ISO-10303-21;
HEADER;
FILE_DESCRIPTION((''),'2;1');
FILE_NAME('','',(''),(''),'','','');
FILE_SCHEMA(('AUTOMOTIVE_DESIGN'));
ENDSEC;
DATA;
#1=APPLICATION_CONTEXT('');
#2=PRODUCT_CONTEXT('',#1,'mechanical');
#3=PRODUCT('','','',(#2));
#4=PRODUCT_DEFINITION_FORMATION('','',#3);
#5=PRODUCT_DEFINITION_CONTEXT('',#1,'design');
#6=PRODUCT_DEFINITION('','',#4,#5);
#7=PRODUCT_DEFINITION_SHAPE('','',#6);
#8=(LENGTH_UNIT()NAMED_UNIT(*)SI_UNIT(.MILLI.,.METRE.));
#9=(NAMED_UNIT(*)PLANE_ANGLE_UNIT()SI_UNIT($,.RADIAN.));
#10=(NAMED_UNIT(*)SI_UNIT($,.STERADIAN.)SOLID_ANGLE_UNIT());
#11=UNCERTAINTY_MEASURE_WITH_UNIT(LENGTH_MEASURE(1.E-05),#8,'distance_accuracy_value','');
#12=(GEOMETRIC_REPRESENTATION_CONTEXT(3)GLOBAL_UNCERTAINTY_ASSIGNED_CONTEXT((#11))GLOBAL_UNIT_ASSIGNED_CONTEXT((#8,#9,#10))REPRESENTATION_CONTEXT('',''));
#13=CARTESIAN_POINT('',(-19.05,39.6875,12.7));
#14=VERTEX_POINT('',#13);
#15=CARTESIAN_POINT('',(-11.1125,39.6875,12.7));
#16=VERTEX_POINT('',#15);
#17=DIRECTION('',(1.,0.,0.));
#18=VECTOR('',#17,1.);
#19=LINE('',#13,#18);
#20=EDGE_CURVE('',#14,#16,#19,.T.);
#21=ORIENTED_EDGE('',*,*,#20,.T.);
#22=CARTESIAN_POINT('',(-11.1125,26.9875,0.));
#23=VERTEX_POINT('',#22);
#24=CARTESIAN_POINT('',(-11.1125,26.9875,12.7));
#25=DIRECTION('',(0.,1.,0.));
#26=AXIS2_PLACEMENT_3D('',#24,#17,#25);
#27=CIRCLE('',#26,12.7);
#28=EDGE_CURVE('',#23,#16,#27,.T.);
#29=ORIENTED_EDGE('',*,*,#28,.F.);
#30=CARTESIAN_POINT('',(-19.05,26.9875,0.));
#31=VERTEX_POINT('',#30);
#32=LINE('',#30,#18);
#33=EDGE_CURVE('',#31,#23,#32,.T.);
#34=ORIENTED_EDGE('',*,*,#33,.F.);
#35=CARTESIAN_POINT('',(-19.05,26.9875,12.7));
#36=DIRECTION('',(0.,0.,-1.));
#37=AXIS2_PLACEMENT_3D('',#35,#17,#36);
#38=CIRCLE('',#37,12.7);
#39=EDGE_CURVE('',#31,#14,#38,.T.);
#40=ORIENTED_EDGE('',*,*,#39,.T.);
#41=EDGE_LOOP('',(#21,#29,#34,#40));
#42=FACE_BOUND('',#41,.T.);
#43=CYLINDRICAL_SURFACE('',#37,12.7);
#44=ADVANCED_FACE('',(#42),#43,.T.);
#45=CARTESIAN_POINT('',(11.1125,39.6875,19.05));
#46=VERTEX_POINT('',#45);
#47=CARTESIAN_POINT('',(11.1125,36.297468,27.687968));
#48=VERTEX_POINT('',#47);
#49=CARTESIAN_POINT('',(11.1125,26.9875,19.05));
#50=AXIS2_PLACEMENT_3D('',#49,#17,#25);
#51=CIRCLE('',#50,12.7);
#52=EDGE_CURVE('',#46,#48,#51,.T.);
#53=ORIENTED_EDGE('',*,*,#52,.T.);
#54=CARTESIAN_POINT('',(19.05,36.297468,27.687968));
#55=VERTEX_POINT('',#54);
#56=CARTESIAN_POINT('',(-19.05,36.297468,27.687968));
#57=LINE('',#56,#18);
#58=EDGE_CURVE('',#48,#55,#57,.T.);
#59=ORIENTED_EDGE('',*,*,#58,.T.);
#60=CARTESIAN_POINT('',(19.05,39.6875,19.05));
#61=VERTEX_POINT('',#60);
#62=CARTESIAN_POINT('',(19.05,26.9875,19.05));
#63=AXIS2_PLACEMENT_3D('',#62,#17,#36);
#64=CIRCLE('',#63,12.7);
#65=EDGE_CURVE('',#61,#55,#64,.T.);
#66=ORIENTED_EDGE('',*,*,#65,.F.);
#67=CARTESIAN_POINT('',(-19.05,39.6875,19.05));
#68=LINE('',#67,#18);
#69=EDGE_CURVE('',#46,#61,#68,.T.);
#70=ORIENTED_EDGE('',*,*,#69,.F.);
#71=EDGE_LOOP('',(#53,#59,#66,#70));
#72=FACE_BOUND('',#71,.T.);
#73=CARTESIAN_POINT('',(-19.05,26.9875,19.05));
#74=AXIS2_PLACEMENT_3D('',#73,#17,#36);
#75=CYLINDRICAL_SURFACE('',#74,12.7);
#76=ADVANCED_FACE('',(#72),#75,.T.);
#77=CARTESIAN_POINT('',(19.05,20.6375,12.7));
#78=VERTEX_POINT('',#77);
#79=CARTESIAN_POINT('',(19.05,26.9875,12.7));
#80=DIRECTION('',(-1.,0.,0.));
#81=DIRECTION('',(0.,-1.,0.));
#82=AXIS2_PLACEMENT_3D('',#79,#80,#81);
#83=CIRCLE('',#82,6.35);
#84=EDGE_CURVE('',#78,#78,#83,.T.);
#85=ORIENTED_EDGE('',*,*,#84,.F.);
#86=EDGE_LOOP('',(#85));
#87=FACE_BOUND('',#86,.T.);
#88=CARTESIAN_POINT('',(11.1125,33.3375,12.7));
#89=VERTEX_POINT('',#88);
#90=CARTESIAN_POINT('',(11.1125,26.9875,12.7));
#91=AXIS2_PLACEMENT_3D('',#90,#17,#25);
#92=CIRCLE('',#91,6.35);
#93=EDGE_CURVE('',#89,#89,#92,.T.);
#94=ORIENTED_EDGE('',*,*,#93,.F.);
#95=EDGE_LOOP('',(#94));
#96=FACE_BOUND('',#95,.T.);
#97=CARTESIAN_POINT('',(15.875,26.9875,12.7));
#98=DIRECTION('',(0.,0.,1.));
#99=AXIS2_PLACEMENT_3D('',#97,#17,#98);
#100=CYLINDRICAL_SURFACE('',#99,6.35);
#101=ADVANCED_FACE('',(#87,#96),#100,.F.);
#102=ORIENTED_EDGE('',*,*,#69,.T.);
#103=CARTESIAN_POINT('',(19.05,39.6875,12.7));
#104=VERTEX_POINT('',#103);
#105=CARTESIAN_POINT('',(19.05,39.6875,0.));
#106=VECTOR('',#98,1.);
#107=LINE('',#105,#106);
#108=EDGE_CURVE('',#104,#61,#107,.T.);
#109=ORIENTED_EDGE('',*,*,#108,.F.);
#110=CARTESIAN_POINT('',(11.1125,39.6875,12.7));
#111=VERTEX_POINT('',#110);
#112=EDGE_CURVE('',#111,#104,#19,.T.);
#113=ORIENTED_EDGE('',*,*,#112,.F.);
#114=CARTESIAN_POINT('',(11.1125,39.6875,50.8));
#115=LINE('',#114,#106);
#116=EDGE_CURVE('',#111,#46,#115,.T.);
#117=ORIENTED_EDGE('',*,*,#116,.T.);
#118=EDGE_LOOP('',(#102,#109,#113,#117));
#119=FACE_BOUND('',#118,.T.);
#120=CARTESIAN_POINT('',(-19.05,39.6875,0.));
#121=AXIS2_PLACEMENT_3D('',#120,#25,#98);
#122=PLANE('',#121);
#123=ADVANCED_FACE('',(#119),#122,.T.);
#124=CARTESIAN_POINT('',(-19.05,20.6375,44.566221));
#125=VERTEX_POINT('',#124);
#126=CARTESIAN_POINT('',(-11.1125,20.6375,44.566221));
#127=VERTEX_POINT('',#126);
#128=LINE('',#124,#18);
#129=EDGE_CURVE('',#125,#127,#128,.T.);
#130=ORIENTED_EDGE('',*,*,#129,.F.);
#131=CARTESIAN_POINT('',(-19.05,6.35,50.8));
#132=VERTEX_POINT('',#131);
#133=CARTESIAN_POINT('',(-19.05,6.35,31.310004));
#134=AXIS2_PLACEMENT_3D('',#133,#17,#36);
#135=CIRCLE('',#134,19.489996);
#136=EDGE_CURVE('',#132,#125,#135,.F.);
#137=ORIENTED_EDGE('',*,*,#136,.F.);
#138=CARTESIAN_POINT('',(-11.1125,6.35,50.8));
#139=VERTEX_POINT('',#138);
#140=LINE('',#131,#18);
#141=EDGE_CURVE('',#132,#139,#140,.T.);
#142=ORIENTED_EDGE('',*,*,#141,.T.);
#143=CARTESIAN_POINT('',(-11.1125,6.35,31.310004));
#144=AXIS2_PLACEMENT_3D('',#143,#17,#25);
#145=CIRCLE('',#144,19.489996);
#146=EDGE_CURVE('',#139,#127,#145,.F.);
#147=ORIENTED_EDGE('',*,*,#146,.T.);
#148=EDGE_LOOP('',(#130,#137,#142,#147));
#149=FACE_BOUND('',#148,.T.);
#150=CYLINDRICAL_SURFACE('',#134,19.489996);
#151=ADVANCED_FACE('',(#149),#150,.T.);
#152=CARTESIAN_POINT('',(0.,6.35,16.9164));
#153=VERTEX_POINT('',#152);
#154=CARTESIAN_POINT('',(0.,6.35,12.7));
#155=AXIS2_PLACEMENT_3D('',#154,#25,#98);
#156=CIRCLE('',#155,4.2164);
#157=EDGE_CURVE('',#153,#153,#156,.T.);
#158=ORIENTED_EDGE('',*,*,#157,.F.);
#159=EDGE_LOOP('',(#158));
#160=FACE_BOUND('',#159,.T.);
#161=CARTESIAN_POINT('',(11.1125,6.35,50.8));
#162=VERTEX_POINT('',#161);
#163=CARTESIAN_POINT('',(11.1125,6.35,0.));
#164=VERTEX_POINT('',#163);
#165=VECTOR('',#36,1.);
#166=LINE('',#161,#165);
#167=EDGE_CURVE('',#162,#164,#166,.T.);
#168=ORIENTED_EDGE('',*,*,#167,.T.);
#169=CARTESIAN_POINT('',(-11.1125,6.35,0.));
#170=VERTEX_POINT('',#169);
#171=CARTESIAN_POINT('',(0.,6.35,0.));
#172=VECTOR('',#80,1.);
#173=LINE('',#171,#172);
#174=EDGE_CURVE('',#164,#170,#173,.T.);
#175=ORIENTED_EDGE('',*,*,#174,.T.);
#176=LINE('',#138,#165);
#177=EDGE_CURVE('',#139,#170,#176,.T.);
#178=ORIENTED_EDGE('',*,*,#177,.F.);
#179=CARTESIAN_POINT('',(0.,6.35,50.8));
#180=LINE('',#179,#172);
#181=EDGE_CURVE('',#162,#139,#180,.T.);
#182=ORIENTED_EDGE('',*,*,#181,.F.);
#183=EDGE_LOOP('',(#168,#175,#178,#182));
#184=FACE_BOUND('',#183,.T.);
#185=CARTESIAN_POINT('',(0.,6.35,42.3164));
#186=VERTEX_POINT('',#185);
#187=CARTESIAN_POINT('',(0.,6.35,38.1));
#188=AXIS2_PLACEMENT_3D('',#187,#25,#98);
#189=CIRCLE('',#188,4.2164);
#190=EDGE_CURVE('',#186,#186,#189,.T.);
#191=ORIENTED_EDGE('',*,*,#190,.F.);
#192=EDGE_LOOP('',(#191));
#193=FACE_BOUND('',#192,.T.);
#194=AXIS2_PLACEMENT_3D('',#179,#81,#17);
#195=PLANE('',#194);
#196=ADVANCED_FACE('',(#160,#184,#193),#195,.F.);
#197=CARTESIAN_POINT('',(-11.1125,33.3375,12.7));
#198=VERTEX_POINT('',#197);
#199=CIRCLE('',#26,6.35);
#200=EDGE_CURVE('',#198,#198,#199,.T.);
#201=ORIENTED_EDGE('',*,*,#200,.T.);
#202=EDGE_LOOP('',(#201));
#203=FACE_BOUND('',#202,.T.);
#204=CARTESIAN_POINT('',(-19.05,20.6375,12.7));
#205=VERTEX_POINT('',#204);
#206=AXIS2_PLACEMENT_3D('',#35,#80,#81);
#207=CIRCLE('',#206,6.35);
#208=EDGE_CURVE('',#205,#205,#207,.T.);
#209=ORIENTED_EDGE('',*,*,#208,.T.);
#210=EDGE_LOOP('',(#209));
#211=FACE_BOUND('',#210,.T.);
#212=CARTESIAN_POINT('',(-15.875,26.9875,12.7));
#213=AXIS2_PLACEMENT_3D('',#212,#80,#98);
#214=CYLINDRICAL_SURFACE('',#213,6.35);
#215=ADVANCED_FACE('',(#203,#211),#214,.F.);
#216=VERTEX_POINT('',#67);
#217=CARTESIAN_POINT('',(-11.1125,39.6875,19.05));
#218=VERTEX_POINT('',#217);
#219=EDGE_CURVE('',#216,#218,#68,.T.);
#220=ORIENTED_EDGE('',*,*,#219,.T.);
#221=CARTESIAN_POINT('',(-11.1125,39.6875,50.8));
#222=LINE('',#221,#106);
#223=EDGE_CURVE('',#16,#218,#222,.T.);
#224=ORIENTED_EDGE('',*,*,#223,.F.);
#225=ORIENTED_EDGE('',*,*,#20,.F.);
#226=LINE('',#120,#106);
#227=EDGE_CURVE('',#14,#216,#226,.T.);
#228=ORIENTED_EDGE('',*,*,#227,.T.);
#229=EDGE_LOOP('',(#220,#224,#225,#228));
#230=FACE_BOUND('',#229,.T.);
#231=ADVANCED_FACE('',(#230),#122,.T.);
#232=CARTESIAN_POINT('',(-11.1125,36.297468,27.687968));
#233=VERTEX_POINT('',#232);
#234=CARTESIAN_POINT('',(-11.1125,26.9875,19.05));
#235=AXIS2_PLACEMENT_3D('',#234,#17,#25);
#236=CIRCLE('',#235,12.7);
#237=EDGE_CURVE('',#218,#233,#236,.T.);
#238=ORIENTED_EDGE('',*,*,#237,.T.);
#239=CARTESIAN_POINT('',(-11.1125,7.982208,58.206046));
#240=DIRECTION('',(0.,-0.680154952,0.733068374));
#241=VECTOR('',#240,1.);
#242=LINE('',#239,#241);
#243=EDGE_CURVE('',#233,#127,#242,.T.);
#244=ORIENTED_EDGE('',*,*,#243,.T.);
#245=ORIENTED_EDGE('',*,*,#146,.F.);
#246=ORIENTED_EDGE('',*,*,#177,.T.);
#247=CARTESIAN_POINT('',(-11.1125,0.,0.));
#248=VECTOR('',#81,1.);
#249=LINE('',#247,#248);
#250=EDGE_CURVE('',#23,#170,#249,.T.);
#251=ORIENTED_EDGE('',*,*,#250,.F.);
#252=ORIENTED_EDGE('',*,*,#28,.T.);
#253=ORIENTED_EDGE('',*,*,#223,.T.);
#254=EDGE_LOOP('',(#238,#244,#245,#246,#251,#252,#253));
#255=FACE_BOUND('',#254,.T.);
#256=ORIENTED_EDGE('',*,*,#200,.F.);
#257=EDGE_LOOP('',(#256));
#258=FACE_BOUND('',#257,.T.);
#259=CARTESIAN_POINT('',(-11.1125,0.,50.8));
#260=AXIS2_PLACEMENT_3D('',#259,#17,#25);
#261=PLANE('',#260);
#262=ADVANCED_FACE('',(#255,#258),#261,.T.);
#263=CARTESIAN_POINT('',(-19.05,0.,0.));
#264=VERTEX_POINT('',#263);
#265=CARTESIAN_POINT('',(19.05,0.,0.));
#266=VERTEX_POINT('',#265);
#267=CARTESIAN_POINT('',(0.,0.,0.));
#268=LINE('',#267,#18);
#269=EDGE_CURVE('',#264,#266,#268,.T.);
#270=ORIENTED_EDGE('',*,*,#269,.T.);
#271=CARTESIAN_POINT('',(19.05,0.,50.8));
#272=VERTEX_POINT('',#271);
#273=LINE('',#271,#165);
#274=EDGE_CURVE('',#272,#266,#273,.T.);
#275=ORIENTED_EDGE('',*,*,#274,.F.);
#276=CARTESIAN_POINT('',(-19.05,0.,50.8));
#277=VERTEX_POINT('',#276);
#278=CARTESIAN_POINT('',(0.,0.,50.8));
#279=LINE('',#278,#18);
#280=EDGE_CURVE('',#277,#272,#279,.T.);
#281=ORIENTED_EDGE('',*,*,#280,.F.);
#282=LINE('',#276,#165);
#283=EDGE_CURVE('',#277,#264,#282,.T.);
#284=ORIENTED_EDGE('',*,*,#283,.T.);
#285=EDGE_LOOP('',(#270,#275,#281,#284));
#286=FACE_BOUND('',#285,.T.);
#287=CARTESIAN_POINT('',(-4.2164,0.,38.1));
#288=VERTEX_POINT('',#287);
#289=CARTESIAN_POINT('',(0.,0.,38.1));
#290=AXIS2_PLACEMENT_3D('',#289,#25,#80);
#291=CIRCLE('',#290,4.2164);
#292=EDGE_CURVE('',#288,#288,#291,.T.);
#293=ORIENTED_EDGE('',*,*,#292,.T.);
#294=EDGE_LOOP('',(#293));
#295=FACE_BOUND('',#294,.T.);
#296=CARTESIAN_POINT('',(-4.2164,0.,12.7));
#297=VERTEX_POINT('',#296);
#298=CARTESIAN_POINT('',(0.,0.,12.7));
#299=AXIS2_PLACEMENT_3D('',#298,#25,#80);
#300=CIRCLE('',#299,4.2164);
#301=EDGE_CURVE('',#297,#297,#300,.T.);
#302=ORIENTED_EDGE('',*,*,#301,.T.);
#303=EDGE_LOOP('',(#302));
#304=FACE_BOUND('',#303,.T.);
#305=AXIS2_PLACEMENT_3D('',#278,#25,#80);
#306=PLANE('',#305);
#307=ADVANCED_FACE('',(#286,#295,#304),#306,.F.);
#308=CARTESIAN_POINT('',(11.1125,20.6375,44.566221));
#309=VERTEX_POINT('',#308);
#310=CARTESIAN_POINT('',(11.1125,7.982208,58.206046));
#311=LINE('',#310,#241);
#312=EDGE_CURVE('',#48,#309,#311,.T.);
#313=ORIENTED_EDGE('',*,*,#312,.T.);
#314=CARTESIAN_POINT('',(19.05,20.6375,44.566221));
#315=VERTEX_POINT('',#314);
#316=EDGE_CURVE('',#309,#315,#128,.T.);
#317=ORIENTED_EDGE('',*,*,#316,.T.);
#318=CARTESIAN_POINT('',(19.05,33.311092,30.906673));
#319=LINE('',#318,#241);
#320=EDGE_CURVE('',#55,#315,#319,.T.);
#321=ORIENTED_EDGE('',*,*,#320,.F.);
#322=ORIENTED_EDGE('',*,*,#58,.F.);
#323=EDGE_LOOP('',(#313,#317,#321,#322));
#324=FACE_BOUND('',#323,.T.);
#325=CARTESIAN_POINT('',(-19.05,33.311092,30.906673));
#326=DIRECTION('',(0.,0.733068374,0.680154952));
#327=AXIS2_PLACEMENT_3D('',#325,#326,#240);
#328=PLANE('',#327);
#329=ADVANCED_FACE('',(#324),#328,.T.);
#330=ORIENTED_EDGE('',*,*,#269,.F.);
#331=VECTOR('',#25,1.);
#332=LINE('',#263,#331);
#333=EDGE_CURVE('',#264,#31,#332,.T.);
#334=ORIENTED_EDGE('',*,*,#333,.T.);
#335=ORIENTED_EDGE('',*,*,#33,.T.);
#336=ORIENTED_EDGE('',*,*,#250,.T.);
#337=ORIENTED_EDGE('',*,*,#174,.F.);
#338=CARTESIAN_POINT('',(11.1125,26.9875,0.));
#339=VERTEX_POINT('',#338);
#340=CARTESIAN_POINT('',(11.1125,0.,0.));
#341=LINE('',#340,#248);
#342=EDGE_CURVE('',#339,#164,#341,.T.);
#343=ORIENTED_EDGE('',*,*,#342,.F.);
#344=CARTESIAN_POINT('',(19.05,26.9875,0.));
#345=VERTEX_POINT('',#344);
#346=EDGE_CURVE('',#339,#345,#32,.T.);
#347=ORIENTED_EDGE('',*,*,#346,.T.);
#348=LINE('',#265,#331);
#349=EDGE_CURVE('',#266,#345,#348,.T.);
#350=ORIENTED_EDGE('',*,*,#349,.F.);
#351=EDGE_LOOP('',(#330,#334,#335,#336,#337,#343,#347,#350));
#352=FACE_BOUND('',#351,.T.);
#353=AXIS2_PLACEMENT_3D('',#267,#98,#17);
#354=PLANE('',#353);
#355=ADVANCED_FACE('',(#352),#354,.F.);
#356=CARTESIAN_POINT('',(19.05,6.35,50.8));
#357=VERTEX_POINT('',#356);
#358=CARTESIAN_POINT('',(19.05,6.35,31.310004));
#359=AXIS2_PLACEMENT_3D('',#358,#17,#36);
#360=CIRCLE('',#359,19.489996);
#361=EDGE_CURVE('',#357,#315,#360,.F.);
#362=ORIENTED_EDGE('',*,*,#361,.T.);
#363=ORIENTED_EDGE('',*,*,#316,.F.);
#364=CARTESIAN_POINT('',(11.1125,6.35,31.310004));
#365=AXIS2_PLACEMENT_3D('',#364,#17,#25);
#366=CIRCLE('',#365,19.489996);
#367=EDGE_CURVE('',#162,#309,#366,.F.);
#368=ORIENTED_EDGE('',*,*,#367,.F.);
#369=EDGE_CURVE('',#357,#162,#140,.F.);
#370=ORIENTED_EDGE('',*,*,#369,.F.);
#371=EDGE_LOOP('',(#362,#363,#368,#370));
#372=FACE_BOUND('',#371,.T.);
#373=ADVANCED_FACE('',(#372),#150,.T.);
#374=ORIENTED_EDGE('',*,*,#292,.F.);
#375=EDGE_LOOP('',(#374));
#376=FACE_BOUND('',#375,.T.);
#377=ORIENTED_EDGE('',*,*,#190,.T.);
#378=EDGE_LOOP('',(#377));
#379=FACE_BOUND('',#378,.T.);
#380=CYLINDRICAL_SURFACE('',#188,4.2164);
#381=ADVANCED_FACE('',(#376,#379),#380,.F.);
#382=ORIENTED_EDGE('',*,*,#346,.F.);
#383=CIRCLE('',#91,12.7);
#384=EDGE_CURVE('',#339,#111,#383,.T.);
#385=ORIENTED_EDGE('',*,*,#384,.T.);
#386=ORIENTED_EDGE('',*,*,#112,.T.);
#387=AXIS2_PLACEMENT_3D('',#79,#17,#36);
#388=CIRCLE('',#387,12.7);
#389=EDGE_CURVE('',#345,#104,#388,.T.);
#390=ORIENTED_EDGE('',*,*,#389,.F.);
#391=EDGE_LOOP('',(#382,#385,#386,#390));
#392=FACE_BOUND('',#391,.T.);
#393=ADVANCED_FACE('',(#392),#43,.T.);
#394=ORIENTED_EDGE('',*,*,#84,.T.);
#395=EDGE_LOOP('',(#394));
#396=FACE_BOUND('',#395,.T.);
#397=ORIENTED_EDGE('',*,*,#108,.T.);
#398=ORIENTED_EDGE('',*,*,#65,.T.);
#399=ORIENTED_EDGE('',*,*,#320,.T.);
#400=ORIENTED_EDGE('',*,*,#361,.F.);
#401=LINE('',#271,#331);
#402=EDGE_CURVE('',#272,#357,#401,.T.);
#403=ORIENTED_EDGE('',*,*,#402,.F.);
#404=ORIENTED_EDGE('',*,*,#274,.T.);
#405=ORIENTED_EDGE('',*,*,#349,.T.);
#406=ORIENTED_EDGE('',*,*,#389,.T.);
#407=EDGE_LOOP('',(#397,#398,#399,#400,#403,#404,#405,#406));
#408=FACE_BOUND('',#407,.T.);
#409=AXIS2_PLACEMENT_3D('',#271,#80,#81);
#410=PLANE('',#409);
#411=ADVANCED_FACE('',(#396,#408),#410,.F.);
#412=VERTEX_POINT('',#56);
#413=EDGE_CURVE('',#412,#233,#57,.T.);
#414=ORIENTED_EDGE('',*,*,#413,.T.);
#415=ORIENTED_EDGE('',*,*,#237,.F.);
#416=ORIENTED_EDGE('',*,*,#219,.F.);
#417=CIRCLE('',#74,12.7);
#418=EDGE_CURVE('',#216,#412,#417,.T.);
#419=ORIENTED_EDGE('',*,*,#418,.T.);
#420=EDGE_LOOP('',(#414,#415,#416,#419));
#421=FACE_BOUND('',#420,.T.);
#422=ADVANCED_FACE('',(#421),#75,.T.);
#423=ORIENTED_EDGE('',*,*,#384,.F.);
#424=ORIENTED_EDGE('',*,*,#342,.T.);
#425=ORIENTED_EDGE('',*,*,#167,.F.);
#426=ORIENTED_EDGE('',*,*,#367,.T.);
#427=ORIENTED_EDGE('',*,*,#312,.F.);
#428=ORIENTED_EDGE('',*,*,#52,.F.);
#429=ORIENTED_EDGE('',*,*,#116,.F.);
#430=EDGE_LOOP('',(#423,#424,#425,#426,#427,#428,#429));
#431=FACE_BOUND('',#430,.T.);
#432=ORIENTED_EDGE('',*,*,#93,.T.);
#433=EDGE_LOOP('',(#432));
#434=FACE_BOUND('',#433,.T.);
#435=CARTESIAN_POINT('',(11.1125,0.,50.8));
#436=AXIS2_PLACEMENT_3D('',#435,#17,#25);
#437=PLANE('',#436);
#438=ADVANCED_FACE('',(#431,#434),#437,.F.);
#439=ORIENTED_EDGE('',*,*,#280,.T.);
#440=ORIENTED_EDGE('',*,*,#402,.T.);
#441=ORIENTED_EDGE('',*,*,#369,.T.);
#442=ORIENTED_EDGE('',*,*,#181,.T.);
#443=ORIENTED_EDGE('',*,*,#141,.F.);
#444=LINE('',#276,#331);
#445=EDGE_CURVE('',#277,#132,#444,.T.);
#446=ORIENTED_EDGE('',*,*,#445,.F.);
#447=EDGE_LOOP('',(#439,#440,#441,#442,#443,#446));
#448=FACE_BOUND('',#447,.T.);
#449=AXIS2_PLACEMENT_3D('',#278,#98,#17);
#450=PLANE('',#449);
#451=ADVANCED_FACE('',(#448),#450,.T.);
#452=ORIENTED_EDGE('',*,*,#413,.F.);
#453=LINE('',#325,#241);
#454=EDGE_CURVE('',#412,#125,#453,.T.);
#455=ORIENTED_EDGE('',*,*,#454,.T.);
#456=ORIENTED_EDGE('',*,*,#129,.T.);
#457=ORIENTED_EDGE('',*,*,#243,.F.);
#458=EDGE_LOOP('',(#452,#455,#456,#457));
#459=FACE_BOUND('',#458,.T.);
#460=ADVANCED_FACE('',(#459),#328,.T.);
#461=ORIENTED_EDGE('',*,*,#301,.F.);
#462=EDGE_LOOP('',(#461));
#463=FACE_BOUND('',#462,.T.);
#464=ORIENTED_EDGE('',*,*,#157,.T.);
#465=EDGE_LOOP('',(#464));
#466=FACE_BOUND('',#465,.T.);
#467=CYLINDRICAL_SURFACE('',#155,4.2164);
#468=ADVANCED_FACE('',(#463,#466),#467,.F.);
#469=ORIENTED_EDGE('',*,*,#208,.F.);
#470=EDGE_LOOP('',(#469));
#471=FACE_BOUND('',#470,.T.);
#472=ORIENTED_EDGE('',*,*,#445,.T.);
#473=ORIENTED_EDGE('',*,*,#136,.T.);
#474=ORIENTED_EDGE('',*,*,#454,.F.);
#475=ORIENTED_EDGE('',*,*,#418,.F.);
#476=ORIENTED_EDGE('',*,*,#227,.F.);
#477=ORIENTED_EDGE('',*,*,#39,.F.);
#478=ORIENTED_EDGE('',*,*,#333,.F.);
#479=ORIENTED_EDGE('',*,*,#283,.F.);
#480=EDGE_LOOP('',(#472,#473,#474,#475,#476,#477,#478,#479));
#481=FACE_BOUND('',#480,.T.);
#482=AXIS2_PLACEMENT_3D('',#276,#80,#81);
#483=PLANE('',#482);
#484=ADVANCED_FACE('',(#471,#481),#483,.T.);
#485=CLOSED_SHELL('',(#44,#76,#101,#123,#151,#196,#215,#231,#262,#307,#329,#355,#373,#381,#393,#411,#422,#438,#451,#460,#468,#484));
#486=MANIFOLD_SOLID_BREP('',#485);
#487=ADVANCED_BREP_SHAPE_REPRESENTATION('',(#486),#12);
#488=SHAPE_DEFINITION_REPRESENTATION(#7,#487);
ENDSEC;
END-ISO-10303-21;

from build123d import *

# Parameters (mm, degrees)
BOSS_EXTRUDE1_DEPTH          = 50.8
CUT_EXTRUDE2_START           = -19.05
SKETCH2_3_R                  = 6.35
CUT_EXTRUDE2_DEPTH           = 3.175
SKETCH2_R                    = 6.35
CUT_EXTRUDE3_DEPTH           = 20.05
CUT_EXTRUDE3_DEPTH_BACK      = 20.05
F_5_16_CLEARANCE_HOLE1_D     = 8.4328
F_5_16_CLEARANCE_HOLE1_DEPTH = 19.05
F_5_16_CLEARANCE_HOLE1_TIP   = 2.533468714
CUT_EXTRUDE12_DEPTH          = 20.05
CUT_EXTRUDE12_DEPTH_BACK     = 20.05


with BuildPart() as part:
    # Sketch1 → Boss-Extrude1 (new body)
    with BuildSketch(Plane.XY):
        Polygon((-19.05, 0), (19.05, 0), (19.05, 50.8), (11.1125, 50.8), (11.1125, 6.35), (-11.1125, 6.35), (-11.1125, 50.8), (-19.05, 50.8), align=None)
    extrude(amount=BOSS_EXTRUDE1_DEPTH)

    # Sketch2_3 → Cut-Extrude2 (cut)
    with BuildSketch(Plane(origin=(0, 0, 0), x_dir=(0, 0, -1), z_dir=(1, 0, 0)).offset(CUT_EXTRUDE2_START)):
        with Locations((-12.7, 26.9875)):
            Circle(SKETCH2_3_R)
    cut_extrude2 = extrude(amount=CUT_EXTRUDE2_DEPTH, mode=Mode.SUBTRACT)

    # Mirror2: Cut-Extrude2 across plane
    add(cut_extrude2.mirror(Plane(origin=(0, 0, 0), x_dir=(0, 0, 1), z_dir=(1, 0, 0))), mode=Mode.SUBTRACT)

    # Sketch2 → Cut-Extrude3 (cut, two sides)
    with BuildSketch(Plane(origin=(0, 0, 0), x_dir=(0, 0, -1), z_dir=(1, 0, 0))) as cut_extrude3_sk:
        with Locations((-12.7, 26.9875)):
            Circle(SKETCH2_R)
    extrude(amount=CUT_EXTRUDE3_DEPTH, mode=Mode.SUBTRACT)
    extrude(cut_extrude3_sk.sketch, amount=-CUT_EXTRUDE3_DEPTH_BACK, mode=Mode.SUBTRACT)

    # 5_16 Clearance Hole1
    with Locations(Plane(origin=(0, 6.35, 0), x_dir=(1, 0, 0), z_dir=(0, 1, 0))):
        with Locations((0, -38.1), (0, -12.7)):
            Hole(F_5_16_CLEARANCE_HOLE1_D / 2, depth=F_5_16_CLEARANCE_HOLE1_DEPTH)
            with Locations((0, 0, -(F_5_16_CLEARANCE_HOLE1_DEPTH + F_5_16_CLEARANCE_HOLE1_TIP / 2))):  # 118° drill point
                Cone(0, F_5_16_CLEARANCE_HOLE1_D / 2, F_5_16_CLEARANCE_HOLE1_TIP, mode=Mode.SUBTRACT)

    # Sketch28 → Cut-Extrude12 (cut, two sides)
    with BuildSketch(Plane(origin=(0, 0, 0), x_dir=(0, 0, -1), z_dir=(1, 0, 0))) as cut_extrude12_sk:
        with BuildLine():
            Line((0, 50.8), (-50.8, 50.8))
            Line((-50.8, 50.8), (-50.8, 6.35))
            ThreePointArc((-50.8, 6.35), (-49.173704114, 14.144110837), (-44.566221155, 20.6375))
            Line((-44.566221155, 20.6375), (-27.687967891, 36.297468352))
            ThreePointArc((-27.687967891, 36.297468352), (-23.689687593, 38.809652893), (-19.05, 39.6875))
            Line((-19.05, 39.6875), (-12.7, 39.6875))
            ThreePointArc((-12.7, 39.6875), (-3.719743879, 35.967756121), (0, 26.9875))
            Line((0, 26.9875), (0, 50.8))
        make_face()
    extrude(amount=CUT_EXTRUDE12_DEPTH, mode=Mode.SUBTRACT)
    extrude(cut_extrude12_sk.sketch, amount=-CUT_EXTRUDE12_DEPTH_BACK, mode=Mode.SUBTRACT)


solid = part.part
